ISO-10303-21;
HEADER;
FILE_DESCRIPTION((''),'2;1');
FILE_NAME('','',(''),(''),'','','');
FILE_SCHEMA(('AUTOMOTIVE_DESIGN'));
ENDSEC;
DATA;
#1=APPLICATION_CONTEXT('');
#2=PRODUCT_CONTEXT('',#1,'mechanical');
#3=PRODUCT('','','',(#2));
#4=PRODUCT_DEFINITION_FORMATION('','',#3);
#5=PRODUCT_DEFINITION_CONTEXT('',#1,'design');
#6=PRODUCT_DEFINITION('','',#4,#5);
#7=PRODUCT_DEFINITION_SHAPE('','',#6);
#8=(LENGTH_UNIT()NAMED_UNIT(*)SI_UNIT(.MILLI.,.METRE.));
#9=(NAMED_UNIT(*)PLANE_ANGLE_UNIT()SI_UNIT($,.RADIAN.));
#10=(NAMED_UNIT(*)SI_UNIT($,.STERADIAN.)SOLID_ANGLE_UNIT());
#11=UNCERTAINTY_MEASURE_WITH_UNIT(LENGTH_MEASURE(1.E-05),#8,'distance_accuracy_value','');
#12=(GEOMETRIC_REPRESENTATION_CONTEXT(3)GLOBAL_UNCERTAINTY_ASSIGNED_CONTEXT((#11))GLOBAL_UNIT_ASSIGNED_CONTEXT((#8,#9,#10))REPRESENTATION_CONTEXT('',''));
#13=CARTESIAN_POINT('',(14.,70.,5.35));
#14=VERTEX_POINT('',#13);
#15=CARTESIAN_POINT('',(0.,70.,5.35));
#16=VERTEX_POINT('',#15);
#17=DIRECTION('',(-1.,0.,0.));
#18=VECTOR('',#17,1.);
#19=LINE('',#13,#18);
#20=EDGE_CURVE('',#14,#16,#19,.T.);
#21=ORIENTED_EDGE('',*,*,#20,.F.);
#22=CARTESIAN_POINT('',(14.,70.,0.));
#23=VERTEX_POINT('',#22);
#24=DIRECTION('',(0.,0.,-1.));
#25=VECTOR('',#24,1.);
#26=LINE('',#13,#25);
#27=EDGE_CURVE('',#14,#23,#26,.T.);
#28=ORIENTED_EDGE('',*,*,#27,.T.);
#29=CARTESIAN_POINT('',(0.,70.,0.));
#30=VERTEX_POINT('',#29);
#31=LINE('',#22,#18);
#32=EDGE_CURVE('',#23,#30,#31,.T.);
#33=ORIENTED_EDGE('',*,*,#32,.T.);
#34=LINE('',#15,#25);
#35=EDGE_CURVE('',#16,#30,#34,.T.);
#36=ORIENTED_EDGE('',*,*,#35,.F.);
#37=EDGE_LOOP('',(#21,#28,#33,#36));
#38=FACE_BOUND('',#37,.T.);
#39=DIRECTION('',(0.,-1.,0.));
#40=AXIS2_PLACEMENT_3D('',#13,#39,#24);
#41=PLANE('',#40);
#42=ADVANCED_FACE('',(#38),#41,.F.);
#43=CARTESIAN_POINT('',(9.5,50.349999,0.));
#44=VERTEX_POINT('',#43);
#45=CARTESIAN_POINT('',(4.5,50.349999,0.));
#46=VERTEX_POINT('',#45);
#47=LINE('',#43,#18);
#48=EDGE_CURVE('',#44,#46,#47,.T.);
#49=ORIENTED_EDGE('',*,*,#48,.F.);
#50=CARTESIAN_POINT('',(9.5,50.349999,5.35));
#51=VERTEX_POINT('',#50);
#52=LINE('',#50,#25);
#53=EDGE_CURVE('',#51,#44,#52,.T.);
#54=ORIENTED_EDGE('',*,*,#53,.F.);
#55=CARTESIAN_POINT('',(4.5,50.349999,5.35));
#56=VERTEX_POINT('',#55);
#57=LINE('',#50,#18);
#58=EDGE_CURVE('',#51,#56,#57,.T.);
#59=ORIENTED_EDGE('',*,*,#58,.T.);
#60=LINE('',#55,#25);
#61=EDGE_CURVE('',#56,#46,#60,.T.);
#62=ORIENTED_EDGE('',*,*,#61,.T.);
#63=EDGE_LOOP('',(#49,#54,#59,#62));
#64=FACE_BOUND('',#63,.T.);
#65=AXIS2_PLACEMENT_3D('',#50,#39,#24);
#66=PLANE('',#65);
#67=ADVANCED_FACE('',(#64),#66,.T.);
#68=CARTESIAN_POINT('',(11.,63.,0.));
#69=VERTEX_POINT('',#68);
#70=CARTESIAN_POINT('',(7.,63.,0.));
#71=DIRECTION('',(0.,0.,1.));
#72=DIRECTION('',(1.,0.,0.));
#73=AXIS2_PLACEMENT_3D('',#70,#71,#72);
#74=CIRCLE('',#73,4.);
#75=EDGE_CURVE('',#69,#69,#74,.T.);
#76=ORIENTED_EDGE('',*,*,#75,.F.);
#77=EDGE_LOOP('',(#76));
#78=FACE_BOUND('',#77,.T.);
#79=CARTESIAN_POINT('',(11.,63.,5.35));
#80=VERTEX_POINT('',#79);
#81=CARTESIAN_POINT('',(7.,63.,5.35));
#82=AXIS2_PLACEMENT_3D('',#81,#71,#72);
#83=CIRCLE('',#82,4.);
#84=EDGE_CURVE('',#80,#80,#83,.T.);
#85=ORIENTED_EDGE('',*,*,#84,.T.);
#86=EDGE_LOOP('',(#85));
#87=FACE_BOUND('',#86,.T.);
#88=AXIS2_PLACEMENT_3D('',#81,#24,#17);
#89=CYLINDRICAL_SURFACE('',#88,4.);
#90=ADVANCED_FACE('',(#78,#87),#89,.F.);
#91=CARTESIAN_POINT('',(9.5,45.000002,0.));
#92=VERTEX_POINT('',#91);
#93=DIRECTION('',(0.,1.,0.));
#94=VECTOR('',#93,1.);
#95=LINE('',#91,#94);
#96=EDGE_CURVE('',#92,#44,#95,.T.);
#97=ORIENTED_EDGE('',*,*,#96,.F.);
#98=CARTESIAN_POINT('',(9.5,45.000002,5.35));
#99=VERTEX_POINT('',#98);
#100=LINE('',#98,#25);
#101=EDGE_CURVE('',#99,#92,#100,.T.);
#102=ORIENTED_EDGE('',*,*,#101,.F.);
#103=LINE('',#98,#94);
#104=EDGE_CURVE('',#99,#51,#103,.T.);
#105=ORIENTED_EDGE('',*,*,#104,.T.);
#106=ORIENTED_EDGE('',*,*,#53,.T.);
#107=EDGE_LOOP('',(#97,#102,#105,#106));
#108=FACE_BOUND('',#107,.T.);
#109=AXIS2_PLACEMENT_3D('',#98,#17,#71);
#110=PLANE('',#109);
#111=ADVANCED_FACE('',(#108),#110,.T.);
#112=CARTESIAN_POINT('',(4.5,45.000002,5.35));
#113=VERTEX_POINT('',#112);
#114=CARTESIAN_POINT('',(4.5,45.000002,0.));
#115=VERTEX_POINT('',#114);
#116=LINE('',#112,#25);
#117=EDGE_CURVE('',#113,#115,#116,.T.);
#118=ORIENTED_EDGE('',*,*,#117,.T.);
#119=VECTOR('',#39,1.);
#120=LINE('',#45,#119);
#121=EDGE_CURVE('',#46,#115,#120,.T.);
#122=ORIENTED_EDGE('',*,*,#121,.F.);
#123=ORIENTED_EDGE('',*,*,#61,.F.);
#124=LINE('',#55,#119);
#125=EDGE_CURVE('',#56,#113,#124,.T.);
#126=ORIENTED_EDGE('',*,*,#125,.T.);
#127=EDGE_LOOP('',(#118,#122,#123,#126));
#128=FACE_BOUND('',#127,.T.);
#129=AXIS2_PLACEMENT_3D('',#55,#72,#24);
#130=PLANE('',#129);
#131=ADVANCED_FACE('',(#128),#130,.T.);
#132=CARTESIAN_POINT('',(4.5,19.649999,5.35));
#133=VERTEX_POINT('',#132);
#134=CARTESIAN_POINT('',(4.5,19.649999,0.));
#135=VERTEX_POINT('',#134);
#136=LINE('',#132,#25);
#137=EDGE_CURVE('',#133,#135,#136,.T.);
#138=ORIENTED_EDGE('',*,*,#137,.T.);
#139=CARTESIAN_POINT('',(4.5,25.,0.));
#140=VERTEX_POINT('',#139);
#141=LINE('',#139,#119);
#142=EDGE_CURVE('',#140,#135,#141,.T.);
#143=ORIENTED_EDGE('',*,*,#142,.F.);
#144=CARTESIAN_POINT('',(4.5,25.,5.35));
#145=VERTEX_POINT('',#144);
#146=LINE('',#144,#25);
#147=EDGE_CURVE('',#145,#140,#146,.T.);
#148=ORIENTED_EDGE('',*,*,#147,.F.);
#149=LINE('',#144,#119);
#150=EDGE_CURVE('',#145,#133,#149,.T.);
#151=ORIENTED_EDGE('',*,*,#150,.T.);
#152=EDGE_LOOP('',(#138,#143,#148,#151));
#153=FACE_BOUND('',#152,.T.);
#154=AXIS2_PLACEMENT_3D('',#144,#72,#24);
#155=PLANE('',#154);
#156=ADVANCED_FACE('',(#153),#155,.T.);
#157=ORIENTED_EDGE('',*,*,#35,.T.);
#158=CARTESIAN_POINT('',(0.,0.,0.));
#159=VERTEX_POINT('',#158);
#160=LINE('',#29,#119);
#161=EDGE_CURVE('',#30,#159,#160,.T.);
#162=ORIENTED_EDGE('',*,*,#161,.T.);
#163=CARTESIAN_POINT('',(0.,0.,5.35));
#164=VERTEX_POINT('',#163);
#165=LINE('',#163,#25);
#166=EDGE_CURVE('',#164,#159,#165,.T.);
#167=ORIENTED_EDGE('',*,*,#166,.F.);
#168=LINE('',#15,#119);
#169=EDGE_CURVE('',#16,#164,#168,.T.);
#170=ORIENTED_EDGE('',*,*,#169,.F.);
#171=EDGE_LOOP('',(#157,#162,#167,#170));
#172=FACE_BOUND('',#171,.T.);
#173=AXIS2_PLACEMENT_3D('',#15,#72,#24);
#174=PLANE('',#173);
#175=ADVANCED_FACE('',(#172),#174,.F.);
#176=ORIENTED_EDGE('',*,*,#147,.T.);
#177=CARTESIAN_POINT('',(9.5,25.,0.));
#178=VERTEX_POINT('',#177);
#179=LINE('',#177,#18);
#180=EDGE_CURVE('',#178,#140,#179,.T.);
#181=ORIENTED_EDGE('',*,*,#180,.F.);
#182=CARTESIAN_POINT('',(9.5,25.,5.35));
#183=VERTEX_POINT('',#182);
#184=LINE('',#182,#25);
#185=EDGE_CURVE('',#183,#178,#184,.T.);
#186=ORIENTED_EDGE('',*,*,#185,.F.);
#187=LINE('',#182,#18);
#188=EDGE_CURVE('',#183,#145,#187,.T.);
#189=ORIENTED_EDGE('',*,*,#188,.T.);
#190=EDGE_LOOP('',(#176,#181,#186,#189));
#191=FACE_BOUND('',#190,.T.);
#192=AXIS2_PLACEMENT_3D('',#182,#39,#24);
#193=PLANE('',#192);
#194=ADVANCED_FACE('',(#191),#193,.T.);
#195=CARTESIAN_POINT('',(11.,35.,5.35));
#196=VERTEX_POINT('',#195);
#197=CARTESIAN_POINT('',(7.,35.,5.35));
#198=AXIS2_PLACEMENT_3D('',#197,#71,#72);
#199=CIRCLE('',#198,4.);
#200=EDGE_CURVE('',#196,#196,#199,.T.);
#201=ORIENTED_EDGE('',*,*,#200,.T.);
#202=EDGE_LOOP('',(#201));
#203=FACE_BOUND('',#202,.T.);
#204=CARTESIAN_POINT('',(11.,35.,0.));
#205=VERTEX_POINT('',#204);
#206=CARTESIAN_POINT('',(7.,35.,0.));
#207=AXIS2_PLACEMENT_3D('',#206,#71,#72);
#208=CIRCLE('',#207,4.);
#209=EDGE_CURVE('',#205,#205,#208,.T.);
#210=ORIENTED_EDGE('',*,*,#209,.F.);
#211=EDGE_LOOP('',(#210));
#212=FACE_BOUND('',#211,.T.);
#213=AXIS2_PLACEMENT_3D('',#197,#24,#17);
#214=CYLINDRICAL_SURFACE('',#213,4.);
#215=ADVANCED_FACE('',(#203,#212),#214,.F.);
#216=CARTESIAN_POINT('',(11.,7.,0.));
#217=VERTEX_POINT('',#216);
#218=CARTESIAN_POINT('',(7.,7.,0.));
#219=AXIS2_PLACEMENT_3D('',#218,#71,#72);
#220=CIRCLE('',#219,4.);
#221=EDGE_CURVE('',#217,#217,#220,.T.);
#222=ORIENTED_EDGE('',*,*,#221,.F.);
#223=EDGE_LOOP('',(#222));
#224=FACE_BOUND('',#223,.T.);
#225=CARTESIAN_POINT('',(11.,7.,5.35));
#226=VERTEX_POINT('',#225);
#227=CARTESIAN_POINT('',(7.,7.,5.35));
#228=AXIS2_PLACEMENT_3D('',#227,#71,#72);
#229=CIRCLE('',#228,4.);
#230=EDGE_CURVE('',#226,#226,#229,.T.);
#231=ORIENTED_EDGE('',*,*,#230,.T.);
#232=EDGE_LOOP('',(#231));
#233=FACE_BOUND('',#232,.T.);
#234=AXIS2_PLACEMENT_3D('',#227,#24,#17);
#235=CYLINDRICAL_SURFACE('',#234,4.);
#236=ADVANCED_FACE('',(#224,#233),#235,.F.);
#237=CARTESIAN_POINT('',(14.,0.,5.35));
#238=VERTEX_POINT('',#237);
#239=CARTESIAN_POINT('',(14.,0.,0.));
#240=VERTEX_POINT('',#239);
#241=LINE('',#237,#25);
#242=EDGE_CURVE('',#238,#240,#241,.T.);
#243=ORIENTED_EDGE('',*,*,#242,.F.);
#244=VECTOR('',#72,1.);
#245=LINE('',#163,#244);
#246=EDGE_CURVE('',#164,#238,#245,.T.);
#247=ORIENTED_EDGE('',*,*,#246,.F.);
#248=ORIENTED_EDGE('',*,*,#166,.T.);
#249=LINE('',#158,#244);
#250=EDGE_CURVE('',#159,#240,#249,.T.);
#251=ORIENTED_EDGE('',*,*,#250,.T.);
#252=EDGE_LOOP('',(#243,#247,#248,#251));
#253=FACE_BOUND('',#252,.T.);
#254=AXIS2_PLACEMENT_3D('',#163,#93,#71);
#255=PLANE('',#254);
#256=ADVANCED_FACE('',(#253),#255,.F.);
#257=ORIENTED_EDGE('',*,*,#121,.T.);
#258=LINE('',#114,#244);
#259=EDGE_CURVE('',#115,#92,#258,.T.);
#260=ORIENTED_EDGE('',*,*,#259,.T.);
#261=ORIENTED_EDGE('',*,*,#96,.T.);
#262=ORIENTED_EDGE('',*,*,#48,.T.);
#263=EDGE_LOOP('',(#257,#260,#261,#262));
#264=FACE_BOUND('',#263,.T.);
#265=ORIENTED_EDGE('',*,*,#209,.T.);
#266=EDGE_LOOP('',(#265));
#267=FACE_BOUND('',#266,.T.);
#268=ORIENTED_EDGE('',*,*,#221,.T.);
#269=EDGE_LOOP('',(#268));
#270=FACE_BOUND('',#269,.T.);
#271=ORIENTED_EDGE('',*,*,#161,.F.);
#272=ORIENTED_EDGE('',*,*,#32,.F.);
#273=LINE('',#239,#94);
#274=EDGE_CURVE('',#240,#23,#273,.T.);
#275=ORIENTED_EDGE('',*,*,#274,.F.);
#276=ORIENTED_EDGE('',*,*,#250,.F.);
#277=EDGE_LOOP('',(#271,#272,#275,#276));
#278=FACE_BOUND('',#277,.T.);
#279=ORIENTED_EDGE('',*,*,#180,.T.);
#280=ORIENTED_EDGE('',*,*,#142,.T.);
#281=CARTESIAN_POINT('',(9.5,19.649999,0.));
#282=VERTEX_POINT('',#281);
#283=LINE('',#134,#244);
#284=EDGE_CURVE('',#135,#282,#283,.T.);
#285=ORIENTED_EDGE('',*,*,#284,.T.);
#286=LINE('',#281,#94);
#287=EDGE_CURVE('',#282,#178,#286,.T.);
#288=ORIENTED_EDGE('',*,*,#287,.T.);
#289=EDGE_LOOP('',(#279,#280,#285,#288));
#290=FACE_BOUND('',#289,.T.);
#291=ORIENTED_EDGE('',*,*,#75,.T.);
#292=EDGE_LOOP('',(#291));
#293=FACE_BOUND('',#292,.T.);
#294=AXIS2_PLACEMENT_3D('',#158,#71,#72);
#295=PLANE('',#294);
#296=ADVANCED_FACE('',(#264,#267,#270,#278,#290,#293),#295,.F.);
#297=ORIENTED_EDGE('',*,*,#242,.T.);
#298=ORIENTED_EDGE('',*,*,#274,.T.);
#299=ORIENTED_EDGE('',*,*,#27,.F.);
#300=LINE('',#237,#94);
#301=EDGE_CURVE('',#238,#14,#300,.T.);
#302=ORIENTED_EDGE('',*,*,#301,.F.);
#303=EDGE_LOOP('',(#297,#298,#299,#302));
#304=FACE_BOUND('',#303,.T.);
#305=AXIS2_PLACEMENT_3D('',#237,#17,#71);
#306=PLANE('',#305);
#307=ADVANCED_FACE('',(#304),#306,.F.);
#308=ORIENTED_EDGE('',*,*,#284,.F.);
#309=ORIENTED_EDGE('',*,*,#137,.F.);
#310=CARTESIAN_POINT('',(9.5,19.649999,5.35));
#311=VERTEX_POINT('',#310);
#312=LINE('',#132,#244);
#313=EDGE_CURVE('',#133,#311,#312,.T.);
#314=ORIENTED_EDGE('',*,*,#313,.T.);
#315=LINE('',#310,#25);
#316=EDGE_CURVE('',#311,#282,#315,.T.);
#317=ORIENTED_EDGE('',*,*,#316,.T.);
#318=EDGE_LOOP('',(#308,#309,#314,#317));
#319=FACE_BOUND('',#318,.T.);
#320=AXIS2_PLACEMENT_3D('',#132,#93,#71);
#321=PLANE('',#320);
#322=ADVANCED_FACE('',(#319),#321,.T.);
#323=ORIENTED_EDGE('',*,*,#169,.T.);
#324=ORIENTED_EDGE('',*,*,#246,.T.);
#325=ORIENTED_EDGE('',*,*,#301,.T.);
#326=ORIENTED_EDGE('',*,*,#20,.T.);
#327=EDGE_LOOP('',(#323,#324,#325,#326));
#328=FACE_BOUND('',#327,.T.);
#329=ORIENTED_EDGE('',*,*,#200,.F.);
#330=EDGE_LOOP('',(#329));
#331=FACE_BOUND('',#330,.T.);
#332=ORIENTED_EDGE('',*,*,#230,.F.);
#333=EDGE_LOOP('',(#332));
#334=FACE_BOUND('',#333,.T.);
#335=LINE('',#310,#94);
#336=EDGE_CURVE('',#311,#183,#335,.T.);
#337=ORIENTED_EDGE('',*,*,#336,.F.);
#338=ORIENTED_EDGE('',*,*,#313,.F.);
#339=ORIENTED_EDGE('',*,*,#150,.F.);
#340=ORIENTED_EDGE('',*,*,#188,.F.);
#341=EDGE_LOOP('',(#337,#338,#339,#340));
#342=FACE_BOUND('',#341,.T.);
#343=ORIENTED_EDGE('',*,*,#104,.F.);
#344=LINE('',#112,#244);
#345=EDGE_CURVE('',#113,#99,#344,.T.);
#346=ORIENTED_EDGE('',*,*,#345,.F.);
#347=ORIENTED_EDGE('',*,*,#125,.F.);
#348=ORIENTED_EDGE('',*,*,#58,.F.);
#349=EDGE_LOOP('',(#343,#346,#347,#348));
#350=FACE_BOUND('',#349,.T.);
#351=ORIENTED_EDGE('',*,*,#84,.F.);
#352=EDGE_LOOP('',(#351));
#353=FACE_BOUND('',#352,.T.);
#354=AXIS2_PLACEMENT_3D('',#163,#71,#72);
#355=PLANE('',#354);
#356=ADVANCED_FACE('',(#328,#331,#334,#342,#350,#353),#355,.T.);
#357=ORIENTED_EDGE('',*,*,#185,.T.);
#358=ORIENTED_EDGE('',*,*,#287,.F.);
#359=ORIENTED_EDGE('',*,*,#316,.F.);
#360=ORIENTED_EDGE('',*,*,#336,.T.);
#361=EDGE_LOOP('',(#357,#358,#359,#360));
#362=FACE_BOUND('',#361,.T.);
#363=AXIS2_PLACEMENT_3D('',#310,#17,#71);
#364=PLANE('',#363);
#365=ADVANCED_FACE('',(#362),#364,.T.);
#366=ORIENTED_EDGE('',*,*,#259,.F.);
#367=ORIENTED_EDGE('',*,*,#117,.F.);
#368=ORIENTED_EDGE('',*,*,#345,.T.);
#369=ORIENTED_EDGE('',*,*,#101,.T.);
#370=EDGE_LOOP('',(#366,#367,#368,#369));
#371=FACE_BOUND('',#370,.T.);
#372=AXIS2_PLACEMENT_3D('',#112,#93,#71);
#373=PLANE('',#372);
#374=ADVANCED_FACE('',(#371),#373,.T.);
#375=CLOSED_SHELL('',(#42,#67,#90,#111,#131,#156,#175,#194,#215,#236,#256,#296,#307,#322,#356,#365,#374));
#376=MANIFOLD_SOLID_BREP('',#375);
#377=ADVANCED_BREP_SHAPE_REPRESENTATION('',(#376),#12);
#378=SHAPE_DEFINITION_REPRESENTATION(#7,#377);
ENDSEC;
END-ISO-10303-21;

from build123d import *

# Parameters (mm, degrees)
MODEL_W             = 14.000000432
MODEL_H             = 70.000000298
MODEL_R             = 4
MODEL_W_2           = 4.999999889
MODEL_H_2           = 5.350001156
MODEL_H_3           = 5.349997431
BOSS_EXTRUDE1_DEPTH = 5.35


with BuildPart() as part:
    # Model → Boss-Extrude1 (new body)
    with BuildSketch(Plane.XY):
        with Locations((7.000000216, 35.000000149)):
            Rectangle(MODEL_W, MODEL_H)
        with Locations((7, 63)):
            Circle(MODEL_R, mode=Mode.SUBTRACT)
        with Locations((7, 35)):
            Circle(MODEL_R, mode=Mode.SUBTRACT)
        with Locations((7, 7)):
            Circle(MODEL_R, mode=Mode.SUBTRACT)
        with Locations((6.999999751, 22.324999794)):
            Rectangle(MODEL_W_2, MODEL_H_2, mode=Mode.SUBTRACT)
        with Locations((6.999999751, 47.675000504)):
            Rectangle(MODEL_W_2, MODEL_H_3, mode=Mode.SUBTRACT)
    extrude(amount=BOSS_EXTRUDE1_DEPTH)


solid = part.part
